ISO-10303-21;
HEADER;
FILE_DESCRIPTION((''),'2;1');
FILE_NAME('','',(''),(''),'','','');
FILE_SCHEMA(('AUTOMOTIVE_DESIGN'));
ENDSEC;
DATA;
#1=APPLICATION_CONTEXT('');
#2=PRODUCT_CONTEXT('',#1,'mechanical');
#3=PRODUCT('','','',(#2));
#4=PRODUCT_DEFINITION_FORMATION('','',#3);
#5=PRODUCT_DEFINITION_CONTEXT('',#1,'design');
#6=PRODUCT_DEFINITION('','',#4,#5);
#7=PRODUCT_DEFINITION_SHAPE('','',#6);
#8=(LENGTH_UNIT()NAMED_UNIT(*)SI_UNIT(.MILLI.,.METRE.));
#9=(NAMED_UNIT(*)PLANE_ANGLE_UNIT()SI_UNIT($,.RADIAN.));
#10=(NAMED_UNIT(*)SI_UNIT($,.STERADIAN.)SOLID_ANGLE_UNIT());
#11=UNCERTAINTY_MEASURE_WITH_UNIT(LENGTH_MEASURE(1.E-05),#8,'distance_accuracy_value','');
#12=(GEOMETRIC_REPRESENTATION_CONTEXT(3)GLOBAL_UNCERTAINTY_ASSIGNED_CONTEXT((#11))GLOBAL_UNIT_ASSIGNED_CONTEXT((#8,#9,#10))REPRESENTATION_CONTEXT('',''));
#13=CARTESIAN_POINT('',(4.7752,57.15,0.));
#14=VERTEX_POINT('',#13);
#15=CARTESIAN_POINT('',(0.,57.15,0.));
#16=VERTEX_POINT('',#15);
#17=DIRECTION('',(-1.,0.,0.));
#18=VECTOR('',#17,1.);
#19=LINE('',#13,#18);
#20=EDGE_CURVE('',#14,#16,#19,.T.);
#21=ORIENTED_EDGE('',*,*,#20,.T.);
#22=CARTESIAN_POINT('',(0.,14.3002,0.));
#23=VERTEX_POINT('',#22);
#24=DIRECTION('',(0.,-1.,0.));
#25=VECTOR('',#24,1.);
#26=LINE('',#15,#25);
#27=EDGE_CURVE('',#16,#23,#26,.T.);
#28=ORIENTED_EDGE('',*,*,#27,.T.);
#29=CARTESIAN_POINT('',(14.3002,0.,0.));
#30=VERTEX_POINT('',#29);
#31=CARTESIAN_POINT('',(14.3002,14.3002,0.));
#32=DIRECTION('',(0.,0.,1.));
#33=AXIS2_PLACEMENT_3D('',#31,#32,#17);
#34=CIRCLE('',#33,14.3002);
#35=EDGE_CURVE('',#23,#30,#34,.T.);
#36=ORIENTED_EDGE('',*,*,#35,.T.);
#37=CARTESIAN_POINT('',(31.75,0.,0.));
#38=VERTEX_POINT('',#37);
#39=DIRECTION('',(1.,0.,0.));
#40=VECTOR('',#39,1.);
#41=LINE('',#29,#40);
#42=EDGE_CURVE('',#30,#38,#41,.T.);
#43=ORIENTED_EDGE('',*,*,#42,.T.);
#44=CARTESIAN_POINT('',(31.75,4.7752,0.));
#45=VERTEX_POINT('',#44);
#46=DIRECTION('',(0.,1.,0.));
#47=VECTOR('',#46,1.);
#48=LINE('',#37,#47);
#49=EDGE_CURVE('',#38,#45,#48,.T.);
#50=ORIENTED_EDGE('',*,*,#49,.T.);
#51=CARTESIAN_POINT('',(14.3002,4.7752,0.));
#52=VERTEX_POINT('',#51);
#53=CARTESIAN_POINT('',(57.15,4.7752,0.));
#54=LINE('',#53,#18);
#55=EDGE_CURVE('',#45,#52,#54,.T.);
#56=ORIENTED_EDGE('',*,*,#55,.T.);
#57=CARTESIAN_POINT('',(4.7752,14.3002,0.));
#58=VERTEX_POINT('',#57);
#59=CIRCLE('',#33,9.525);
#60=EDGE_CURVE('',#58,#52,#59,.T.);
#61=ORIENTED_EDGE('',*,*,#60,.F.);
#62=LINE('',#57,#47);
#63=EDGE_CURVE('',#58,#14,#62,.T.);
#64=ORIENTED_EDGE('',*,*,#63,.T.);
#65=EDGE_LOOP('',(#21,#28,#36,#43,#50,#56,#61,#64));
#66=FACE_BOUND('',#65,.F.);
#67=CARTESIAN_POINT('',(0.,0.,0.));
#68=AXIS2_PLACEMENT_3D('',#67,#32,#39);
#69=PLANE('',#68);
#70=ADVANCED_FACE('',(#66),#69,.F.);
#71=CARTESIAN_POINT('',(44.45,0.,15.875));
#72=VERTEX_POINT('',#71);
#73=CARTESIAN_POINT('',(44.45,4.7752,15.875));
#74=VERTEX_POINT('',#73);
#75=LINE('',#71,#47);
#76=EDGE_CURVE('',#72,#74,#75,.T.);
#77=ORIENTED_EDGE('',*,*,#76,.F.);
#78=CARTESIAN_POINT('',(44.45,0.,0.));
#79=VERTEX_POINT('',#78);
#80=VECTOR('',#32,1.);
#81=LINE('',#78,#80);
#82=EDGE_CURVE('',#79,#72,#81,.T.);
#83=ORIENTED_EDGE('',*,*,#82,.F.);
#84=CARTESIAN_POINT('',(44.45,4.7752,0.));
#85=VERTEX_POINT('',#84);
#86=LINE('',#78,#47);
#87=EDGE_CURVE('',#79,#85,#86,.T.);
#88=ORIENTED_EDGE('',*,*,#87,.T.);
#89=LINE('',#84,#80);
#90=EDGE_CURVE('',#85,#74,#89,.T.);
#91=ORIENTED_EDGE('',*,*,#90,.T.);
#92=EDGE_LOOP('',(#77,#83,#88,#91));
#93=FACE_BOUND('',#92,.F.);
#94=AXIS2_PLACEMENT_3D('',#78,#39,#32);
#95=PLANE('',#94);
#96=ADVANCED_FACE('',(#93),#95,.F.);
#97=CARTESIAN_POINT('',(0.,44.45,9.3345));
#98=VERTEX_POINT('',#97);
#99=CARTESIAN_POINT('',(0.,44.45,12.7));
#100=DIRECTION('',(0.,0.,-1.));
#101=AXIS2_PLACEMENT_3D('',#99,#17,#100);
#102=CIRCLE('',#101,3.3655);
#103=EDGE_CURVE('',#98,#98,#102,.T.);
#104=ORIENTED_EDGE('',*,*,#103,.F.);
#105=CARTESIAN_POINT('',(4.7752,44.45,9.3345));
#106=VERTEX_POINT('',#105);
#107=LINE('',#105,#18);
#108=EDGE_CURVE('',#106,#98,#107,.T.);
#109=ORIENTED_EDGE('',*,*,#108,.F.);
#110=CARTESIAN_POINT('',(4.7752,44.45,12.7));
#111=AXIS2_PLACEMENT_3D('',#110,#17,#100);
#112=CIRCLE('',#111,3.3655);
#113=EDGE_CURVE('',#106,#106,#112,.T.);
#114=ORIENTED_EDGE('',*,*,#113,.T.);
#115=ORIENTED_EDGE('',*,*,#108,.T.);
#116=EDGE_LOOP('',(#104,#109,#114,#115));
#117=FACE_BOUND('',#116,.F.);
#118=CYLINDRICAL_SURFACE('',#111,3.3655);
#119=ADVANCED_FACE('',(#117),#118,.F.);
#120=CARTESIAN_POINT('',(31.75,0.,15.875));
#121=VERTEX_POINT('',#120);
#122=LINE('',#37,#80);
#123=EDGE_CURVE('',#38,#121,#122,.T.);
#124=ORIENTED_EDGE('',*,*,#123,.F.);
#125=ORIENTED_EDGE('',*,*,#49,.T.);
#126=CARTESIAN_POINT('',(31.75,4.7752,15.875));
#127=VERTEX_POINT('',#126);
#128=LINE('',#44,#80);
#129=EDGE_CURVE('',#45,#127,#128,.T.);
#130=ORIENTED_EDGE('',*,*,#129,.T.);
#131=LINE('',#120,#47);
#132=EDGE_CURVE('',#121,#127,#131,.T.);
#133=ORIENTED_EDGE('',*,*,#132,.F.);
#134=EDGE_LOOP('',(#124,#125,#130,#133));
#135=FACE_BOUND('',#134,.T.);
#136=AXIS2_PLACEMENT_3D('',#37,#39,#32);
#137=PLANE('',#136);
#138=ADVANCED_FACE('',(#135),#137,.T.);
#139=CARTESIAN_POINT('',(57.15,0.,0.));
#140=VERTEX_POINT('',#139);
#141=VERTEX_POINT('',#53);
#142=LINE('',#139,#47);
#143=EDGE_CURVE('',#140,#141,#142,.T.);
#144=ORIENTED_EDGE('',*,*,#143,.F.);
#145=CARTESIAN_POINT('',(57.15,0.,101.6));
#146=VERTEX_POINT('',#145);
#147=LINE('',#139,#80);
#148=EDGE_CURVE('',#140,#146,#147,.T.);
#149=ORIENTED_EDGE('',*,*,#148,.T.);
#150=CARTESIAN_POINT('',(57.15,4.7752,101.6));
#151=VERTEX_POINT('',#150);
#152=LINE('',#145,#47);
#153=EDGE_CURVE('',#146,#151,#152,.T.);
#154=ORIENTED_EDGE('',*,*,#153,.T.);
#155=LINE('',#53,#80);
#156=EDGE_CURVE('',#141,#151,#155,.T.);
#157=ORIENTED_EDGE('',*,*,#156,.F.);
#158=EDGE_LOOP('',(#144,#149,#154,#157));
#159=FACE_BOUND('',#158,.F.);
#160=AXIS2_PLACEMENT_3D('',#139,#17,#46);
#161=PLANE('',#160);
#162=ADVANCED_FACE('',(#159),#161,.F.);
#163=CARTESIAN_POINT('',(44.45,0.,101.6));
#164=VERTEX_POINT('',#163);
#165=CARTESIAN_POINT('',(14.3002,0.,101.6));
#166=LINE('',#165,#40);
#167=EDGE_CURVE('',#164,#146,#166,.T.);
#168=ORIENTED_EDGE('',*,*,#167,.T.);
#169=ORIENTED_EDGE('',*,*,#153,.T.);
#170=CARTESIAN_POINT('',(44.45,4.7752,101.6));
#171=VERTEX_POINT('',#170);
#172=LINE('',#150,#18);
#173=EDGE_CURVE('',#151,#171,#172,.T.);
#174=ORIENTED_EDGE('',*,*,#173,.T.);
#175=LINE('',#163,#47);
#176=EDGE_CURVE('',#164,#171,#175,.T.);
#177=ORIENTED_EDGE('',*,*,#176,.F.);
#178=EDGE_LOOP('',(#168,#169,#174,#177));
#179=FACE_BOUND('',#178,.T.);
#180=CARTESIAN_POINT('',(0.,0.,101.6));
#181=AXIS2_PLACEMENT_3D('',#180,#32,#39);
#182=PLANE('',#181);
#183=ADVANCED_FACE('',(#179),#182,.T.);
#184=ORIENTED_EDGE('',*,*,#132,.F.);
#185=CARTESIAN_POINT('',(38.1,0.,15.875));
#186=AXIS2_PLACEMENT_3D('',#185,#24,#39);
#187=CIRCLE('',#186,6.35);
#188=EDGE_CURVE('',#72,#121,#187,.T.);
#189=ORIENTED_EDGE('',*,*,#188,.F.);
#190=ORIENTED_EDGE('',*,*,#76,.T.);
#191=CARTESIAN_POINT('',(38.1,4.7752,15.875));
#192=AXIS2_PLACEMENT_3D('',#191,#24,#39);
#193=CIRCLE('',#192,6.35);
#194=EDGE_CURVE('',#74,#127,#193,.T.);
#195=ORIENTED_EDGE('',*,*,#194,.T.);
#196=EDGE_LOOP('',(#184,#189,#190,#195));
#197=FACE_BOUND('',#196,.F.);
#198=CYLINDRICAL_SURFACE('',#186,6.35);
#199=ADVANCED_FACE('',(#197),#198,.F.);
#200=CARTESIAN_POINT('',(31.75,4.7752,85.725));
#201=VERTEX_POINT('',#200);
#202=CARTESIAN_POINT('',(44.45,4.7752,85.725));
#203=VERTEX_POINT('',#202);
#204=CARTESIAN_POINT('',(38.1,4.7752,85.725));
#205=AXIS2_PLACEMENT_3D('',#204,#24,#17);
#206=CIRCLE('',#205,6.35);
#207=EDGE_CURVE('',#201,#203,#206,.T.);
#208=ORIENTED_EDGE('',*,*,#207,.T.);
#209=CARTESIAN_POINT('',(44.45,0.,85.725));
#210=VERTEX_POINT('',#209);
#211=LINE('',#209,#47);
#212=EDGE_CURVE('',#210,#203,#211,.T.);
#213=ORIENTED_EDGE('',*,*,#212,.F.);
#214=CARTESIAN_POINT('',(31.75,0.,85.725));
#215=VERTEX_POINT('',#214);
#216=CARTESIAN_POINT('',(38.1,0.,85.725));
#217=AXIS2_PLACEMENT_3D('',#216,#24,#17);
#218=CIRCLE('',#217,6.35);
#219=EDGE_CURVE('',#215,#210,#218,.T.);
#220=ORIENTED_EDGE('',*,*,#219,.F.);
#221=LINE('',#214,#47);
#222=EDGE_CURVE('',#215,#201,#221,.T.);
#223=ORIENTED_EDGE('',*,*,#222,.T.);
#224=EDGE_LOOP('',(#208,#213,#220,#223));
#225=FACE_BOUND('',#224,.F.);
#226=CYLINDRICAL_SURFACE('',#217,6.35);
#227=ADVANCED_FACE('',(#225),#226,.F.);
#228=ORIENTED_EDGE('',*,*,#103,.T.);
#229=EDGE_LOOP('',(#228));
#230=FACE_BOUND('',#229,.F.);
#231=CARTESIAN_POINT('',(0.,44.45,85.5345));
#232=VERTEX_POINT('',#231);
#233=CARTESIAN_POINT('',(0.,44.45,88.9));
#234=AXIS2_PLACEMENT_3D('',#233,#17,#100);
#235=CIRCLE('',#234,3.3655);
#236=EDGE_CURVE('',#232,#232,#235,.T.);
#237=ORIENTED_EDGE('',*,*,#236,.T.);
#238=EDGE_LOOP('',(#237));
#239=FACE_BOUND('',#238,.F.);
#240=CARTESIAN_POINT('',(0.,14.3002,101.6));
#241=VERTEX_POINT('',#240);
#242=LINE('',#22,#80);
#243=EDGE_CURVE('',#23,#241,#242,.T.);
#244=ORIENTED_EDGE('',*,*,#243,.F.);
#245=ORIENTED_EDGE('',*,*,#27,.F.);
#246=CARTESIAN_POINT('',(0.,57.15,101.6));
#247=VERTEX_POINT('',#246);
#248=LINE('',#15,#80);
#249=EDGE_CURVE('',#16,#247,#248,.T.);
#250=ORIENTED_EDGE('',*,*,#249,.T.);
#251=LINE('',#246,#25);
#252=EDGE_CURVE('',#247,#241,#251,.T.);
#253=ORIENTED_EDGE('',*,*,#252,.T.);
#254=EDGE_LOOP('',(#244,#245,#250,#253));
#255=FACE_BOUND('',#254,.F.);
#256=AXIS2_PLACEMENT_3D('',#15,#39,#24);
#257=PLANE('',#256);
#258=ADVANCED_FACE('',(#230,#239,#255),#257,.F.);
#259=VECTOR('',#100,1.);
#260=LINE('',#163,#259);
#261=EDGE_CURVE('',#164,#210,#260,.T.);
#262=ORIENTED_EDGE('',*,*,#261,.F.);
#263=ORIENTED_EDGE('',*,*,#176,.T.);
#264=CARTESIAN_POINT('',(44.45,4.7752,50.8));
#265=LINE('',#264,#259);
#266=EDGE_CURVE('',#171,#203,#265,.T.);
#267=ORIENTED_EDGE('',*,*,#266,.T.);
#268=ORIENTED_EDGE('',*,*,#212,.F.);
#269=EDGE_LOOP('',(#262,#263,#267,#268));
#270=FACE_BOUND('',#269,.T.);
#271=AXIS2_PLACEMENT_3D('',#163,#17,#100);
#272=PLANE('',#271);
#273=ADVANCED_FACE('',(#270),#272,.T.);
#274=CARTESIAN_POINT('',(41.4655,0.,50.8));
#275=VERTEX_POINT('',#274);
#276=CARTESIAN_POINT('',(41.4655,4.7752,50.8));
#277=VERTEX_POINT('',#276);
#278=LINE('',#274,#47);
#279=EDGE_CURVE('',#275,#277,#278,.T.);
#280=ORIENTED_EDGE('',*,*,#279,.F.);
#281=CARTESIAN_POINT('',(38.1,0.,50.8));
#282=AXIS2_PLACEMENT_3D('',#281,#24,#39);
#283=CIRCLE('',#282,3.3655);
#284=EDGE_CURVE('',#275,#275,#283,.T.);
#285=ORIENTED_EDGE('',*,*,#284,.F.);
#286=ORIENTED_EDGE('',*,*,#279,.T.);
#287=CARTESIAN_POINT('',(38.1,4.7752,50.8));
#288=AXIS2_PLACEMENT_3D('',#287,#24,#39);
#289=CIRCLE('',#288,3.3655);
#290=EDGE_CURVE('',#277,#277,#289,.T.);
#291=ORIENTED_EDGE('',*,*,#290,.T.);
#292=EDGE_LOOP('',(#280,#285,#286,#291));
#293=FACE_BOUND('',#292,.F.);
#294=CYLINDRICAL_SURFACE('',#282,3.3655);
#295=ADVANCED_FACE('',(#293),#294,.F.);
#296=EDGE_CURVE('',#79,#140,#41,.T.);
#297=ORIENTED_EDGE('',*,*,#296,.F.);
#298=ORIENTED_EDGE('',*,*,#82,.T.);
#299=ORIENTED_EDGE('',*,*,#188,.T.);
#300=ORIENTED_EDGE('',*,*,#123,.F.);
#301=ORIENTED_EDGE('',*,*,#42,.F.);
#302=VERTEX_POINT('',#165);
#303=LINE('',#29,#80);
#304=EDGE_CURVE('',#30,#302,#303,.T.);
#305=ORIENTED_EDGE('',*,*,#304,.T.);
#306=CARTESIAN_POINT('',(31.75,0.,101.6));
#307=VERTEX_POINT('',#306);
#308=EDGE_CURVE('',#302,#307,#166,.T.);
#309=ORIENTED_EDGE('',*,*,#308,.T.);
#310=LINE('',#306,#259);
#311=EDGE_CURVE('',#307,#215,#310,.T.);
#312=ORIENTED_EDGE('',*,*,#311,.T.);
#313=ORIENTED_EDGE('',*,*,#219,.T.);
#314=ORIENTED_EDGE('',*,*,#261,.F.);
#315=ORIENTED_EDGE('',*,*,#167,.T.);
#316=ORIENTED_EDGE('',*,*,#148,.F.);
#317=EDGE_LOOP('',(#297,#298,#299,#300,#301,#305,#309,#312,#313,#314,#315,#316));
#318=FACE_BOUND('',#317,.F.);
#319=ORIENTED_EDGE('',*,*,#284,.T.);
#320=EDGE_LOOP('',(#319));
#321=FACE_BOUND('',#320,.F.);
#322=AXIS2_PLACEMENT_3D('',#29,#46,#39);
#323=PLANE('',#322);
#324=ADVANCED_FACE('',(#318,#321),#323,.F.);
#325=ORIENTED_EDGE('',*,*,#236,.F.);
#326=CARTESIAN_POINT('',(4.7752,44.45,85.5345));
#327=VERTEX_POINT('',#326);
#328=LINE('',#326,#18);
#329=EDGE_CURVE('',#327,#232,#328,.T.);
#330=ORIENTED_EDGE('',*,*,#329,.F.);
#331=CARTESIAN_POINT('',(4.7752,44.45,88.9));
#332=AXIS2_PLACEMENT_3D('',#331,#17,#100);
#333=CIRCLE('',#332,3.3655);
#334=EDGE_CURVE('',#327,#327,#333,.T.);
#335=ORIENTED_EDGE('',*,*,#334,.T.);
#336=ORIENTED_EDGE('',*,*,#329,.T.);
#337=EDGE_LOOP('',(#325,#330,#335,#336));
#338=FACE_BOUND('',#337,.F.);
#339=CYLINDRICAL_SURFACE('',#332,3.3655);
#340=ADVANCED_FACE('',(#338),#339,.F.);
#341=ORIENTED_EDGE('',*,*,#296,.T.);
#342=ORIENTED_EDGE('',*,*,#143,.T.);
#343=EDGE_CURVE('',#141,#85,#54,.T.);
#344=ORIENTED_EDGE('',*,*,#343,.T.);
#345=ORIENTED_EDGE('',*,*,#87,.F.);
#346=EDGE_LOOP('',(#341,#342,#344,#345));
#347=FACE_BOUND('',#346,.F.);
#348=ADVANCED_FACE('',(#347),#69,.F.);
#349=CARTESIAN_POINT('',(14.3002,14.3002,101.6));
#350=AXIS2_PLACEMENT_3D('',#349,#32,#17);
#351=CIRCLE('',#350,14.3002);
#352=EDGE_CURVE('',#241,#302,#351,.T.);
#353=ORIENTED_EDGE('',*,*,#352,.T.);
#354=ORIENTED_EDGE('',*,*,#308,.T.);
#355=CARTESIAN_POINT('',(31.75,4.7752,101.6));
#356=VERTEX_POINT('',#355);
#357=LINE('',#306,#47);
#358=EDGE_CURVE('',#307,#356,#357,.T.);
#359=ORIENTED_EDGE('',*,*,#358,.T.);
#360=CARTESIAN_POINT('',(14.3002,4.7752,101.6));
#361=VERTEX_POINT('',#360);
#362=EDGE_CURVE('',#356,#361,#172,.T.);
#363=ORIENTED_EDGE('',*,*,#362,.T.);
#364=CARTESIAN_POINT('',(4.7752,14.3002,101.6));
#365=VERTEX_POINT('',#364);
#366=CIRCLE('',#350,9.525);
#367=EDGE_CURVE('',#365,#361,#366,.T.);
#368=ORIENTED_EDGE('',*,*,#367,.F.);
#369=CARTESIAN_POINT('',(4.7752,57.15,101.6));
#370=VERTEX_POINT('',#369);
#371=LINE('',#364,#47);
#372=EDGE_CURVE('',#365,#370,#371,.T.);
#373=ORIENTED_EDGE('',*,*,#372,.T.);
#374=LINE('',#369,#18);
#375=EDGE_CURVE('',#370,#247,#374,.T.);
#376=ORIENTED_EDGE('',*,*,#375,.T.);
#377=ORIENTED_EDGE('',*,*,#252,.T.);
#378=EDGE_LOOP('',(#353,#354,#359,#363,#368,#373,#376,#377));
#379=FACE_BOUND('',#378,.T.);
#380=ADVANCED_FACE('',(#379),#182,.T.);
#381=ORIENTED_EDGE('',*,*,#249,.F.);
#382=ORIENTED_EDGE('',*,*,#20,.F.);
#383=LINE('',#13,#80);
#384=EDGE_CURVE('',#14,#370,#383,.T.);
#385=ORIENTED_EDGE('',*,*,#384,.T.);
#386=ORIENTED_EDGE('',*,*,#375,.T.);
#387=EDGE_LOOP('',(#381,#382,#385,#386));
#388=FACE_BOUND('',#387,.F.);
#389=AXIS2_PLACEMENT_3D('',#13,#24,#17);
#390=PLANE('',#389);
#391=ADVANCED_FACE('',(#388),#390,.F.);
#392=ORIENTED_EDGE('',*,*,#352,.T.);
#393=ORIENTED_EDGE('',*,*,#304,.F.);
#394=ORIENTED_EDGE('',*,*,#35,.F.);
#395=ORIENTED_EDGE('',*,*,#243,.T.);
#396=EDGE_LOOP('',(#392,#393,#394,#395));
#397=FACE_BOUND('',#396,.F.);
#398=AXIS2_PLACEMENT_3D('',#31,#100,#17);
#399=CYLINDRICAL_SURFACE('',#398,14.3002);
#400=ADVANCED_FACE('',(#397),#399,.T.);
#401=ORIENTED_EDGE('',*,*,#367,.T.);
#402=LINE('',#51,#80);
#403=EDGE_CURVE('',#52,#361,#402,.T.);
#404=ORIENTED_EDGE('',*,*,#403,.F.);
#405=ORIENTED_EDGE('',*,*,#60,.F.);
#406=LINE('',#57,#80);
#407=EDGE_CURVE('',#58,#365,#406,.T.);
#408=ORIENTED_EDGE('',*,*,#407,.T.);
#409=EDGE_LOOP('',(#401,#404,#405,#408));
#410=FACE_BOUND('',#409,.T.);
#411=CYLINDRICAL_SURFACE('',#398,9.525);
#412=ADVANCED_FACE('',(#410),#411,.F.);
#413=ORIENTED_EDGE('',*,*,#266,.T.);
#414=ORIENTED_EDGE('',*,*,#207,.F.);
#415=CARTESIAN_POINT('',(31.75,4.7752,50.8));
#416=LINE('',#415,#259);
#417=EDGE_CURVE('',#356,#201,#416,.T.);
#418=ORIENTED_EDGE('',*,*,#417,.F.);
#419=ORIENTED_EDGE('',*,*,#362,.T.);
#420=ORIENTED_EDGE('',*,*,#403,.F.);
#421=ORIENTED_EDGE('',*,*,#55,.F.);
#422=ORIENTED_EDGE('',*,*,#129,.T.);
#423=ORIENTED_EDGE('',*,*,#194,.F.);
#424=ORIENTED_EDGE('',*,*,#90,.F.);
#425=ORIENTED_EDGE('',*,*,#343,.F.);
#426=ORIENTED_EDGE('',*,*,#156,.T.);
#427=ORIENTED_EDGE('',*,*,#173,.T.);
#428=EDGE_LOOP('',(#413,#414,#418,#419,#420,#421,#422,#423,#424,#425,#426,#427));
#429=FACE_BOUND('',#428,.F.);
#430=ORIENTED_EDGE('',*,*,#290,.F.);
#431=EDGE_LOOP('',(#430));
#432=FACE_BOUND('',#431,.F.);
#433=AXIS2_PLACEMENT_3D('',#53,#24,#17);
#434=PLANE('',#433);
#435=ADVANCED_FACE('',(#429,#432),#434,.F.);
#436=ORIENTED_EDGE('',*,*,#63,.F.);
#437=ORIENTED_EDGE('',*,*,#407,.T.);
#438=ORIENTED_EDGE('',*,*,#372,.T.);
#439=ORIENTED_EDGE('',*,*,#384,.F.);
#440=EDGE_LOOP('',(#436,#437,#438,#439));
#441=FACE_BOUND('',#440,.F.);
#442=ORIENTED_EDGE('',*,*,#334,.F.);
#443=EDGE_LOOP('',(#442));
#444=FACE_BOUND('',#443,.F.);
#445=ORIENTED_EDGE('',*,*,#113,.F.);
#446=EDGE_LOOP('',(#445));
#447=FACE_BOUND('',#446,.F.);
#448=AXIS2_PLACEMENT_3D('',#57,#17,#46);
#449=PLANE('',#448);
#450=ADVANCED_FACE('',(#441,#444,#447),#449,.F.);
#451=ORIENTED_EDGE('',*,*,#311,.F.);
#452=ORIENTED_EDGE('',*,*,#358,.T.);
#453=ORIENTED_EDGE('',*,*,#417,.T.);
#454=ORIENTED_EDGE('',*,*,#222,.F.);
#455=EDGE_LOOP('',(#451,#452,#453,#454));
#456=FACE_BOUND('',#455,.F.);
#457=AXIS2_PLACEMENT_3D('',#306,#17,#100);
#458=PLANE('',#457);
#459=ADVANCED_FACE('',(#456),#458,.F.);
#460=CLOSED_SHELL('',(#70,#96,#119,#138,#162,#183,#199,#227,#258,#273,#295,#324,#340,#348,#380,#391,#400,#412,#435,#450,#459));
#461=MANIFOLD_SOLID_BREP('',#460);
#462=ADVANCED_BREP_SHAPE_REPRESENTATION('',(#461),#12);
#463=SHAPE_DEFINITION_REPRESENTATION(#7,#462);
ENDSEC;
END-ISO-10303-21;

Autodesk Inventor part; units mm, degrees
ref_plane "YZ Plane" through (0, 0, 0) normal (1, 0, 0) x (0, 1, 0)
ref_plane "XZ Plane" through (0, 0, 0) normal (0, 1, 0) x (-1, 0, 0)
ref_plane "XY Plane" through (0, 0, 0) normal (0, 0, 1) x (1, 0, 0)
sketch "Sketch1" plane through (0, 0, 0) normal (0, 0, 1) x (1, 0, 0)
  line L0 (0, 57.15) -> (0, 14.3002)
  line L1 (14.3002, 0) -> (57.15, 0)
  line L2 (57.15, 0) -> (57.15, 4.7752)
  line L3 (57.15, 4.7752) -> (14.3002, 4.7752)
  line L4 (4.7752, 14.3002) -> (4.7752, 57.15)
  line L5 (4.7752, 57.15) -> (0, 57.15)
  arc A0 (4.7752, 14.3002) -> (14.3002, 4.7752) centre (14.3002, 14.3002) ccw
  arc A1 (0, 14.3002) -> (14.3002, 0) centre (14.3002, 14.3002) ccw
  point P0 (0, 0)
  dimension "d0" = 4.7752
  dimension "d1" = 9.525
  dimension "d2" = 14.3002
  dimension "d3" = 57.15
extrude "Extrusion1" add sketch "Sketch1" along normal blind 101.6
hole "Hole1" at (4.7752, 44.45, 88.9) direction (-1, 0, 0) diameter 6.731 end through all
hole "Hole2" at (4.7752, 44.45, 12.7) direction (-1, 0, 0) diameter 6.731 end through all
sketch "Sketch2" plane through (14.3002, 0, 0) normal (0, -1, 0) x (1, 0, 0)
  line L0 (42.8498, 101.6) -> (0, 101.6) projected
  line L1 (0, 0) -> (42.8498, 0) projected
  line L2 (42.8498, 0) -> (42.8498, 101.6) projected
  line L3 (30.1498, 101.6) -> (30.1498, 85.725)
  line L4 (17.4498, 101.6) -> (17.4498, 85.725)
  line L5 (30.1498, 0) -> (30.1498, 15.875)
  line L6 (17.4498, 0) -> (17.4498, 15.875)
  arc A0 (17.4498, 85.725) -> (30.1498, 85.725) centre (23.7998, 85.725) ccw
  arc A1 (30.1498, 15.875) -> (17.4498, 15.875) centre (23.7998, 15.875) ccw
  circle A2 centre (23.7998, 50.8) radius 3.3655
  line L7 (30.1498, 101.6) -> (17.4498, 101.6)
  line L8 (30.1498, 0) -> (17.4498, 0)
  point P0 (-14.3002, 0)
  dimension "d24" = 12.7
  dimension "d25" = 19.05
  dimension "d26" = 15.875
  dimension "d27" = 6.731
  dimension "d28" = 50.8
  dimension "d29" = 19.05
extrude "Extrusion2" cut sketch "Sketch2" against normal blind 101.6
equation "\"d2\" = d1 + d0"
equation "\"d29\" = d25"
properties part number "GE-12073"
